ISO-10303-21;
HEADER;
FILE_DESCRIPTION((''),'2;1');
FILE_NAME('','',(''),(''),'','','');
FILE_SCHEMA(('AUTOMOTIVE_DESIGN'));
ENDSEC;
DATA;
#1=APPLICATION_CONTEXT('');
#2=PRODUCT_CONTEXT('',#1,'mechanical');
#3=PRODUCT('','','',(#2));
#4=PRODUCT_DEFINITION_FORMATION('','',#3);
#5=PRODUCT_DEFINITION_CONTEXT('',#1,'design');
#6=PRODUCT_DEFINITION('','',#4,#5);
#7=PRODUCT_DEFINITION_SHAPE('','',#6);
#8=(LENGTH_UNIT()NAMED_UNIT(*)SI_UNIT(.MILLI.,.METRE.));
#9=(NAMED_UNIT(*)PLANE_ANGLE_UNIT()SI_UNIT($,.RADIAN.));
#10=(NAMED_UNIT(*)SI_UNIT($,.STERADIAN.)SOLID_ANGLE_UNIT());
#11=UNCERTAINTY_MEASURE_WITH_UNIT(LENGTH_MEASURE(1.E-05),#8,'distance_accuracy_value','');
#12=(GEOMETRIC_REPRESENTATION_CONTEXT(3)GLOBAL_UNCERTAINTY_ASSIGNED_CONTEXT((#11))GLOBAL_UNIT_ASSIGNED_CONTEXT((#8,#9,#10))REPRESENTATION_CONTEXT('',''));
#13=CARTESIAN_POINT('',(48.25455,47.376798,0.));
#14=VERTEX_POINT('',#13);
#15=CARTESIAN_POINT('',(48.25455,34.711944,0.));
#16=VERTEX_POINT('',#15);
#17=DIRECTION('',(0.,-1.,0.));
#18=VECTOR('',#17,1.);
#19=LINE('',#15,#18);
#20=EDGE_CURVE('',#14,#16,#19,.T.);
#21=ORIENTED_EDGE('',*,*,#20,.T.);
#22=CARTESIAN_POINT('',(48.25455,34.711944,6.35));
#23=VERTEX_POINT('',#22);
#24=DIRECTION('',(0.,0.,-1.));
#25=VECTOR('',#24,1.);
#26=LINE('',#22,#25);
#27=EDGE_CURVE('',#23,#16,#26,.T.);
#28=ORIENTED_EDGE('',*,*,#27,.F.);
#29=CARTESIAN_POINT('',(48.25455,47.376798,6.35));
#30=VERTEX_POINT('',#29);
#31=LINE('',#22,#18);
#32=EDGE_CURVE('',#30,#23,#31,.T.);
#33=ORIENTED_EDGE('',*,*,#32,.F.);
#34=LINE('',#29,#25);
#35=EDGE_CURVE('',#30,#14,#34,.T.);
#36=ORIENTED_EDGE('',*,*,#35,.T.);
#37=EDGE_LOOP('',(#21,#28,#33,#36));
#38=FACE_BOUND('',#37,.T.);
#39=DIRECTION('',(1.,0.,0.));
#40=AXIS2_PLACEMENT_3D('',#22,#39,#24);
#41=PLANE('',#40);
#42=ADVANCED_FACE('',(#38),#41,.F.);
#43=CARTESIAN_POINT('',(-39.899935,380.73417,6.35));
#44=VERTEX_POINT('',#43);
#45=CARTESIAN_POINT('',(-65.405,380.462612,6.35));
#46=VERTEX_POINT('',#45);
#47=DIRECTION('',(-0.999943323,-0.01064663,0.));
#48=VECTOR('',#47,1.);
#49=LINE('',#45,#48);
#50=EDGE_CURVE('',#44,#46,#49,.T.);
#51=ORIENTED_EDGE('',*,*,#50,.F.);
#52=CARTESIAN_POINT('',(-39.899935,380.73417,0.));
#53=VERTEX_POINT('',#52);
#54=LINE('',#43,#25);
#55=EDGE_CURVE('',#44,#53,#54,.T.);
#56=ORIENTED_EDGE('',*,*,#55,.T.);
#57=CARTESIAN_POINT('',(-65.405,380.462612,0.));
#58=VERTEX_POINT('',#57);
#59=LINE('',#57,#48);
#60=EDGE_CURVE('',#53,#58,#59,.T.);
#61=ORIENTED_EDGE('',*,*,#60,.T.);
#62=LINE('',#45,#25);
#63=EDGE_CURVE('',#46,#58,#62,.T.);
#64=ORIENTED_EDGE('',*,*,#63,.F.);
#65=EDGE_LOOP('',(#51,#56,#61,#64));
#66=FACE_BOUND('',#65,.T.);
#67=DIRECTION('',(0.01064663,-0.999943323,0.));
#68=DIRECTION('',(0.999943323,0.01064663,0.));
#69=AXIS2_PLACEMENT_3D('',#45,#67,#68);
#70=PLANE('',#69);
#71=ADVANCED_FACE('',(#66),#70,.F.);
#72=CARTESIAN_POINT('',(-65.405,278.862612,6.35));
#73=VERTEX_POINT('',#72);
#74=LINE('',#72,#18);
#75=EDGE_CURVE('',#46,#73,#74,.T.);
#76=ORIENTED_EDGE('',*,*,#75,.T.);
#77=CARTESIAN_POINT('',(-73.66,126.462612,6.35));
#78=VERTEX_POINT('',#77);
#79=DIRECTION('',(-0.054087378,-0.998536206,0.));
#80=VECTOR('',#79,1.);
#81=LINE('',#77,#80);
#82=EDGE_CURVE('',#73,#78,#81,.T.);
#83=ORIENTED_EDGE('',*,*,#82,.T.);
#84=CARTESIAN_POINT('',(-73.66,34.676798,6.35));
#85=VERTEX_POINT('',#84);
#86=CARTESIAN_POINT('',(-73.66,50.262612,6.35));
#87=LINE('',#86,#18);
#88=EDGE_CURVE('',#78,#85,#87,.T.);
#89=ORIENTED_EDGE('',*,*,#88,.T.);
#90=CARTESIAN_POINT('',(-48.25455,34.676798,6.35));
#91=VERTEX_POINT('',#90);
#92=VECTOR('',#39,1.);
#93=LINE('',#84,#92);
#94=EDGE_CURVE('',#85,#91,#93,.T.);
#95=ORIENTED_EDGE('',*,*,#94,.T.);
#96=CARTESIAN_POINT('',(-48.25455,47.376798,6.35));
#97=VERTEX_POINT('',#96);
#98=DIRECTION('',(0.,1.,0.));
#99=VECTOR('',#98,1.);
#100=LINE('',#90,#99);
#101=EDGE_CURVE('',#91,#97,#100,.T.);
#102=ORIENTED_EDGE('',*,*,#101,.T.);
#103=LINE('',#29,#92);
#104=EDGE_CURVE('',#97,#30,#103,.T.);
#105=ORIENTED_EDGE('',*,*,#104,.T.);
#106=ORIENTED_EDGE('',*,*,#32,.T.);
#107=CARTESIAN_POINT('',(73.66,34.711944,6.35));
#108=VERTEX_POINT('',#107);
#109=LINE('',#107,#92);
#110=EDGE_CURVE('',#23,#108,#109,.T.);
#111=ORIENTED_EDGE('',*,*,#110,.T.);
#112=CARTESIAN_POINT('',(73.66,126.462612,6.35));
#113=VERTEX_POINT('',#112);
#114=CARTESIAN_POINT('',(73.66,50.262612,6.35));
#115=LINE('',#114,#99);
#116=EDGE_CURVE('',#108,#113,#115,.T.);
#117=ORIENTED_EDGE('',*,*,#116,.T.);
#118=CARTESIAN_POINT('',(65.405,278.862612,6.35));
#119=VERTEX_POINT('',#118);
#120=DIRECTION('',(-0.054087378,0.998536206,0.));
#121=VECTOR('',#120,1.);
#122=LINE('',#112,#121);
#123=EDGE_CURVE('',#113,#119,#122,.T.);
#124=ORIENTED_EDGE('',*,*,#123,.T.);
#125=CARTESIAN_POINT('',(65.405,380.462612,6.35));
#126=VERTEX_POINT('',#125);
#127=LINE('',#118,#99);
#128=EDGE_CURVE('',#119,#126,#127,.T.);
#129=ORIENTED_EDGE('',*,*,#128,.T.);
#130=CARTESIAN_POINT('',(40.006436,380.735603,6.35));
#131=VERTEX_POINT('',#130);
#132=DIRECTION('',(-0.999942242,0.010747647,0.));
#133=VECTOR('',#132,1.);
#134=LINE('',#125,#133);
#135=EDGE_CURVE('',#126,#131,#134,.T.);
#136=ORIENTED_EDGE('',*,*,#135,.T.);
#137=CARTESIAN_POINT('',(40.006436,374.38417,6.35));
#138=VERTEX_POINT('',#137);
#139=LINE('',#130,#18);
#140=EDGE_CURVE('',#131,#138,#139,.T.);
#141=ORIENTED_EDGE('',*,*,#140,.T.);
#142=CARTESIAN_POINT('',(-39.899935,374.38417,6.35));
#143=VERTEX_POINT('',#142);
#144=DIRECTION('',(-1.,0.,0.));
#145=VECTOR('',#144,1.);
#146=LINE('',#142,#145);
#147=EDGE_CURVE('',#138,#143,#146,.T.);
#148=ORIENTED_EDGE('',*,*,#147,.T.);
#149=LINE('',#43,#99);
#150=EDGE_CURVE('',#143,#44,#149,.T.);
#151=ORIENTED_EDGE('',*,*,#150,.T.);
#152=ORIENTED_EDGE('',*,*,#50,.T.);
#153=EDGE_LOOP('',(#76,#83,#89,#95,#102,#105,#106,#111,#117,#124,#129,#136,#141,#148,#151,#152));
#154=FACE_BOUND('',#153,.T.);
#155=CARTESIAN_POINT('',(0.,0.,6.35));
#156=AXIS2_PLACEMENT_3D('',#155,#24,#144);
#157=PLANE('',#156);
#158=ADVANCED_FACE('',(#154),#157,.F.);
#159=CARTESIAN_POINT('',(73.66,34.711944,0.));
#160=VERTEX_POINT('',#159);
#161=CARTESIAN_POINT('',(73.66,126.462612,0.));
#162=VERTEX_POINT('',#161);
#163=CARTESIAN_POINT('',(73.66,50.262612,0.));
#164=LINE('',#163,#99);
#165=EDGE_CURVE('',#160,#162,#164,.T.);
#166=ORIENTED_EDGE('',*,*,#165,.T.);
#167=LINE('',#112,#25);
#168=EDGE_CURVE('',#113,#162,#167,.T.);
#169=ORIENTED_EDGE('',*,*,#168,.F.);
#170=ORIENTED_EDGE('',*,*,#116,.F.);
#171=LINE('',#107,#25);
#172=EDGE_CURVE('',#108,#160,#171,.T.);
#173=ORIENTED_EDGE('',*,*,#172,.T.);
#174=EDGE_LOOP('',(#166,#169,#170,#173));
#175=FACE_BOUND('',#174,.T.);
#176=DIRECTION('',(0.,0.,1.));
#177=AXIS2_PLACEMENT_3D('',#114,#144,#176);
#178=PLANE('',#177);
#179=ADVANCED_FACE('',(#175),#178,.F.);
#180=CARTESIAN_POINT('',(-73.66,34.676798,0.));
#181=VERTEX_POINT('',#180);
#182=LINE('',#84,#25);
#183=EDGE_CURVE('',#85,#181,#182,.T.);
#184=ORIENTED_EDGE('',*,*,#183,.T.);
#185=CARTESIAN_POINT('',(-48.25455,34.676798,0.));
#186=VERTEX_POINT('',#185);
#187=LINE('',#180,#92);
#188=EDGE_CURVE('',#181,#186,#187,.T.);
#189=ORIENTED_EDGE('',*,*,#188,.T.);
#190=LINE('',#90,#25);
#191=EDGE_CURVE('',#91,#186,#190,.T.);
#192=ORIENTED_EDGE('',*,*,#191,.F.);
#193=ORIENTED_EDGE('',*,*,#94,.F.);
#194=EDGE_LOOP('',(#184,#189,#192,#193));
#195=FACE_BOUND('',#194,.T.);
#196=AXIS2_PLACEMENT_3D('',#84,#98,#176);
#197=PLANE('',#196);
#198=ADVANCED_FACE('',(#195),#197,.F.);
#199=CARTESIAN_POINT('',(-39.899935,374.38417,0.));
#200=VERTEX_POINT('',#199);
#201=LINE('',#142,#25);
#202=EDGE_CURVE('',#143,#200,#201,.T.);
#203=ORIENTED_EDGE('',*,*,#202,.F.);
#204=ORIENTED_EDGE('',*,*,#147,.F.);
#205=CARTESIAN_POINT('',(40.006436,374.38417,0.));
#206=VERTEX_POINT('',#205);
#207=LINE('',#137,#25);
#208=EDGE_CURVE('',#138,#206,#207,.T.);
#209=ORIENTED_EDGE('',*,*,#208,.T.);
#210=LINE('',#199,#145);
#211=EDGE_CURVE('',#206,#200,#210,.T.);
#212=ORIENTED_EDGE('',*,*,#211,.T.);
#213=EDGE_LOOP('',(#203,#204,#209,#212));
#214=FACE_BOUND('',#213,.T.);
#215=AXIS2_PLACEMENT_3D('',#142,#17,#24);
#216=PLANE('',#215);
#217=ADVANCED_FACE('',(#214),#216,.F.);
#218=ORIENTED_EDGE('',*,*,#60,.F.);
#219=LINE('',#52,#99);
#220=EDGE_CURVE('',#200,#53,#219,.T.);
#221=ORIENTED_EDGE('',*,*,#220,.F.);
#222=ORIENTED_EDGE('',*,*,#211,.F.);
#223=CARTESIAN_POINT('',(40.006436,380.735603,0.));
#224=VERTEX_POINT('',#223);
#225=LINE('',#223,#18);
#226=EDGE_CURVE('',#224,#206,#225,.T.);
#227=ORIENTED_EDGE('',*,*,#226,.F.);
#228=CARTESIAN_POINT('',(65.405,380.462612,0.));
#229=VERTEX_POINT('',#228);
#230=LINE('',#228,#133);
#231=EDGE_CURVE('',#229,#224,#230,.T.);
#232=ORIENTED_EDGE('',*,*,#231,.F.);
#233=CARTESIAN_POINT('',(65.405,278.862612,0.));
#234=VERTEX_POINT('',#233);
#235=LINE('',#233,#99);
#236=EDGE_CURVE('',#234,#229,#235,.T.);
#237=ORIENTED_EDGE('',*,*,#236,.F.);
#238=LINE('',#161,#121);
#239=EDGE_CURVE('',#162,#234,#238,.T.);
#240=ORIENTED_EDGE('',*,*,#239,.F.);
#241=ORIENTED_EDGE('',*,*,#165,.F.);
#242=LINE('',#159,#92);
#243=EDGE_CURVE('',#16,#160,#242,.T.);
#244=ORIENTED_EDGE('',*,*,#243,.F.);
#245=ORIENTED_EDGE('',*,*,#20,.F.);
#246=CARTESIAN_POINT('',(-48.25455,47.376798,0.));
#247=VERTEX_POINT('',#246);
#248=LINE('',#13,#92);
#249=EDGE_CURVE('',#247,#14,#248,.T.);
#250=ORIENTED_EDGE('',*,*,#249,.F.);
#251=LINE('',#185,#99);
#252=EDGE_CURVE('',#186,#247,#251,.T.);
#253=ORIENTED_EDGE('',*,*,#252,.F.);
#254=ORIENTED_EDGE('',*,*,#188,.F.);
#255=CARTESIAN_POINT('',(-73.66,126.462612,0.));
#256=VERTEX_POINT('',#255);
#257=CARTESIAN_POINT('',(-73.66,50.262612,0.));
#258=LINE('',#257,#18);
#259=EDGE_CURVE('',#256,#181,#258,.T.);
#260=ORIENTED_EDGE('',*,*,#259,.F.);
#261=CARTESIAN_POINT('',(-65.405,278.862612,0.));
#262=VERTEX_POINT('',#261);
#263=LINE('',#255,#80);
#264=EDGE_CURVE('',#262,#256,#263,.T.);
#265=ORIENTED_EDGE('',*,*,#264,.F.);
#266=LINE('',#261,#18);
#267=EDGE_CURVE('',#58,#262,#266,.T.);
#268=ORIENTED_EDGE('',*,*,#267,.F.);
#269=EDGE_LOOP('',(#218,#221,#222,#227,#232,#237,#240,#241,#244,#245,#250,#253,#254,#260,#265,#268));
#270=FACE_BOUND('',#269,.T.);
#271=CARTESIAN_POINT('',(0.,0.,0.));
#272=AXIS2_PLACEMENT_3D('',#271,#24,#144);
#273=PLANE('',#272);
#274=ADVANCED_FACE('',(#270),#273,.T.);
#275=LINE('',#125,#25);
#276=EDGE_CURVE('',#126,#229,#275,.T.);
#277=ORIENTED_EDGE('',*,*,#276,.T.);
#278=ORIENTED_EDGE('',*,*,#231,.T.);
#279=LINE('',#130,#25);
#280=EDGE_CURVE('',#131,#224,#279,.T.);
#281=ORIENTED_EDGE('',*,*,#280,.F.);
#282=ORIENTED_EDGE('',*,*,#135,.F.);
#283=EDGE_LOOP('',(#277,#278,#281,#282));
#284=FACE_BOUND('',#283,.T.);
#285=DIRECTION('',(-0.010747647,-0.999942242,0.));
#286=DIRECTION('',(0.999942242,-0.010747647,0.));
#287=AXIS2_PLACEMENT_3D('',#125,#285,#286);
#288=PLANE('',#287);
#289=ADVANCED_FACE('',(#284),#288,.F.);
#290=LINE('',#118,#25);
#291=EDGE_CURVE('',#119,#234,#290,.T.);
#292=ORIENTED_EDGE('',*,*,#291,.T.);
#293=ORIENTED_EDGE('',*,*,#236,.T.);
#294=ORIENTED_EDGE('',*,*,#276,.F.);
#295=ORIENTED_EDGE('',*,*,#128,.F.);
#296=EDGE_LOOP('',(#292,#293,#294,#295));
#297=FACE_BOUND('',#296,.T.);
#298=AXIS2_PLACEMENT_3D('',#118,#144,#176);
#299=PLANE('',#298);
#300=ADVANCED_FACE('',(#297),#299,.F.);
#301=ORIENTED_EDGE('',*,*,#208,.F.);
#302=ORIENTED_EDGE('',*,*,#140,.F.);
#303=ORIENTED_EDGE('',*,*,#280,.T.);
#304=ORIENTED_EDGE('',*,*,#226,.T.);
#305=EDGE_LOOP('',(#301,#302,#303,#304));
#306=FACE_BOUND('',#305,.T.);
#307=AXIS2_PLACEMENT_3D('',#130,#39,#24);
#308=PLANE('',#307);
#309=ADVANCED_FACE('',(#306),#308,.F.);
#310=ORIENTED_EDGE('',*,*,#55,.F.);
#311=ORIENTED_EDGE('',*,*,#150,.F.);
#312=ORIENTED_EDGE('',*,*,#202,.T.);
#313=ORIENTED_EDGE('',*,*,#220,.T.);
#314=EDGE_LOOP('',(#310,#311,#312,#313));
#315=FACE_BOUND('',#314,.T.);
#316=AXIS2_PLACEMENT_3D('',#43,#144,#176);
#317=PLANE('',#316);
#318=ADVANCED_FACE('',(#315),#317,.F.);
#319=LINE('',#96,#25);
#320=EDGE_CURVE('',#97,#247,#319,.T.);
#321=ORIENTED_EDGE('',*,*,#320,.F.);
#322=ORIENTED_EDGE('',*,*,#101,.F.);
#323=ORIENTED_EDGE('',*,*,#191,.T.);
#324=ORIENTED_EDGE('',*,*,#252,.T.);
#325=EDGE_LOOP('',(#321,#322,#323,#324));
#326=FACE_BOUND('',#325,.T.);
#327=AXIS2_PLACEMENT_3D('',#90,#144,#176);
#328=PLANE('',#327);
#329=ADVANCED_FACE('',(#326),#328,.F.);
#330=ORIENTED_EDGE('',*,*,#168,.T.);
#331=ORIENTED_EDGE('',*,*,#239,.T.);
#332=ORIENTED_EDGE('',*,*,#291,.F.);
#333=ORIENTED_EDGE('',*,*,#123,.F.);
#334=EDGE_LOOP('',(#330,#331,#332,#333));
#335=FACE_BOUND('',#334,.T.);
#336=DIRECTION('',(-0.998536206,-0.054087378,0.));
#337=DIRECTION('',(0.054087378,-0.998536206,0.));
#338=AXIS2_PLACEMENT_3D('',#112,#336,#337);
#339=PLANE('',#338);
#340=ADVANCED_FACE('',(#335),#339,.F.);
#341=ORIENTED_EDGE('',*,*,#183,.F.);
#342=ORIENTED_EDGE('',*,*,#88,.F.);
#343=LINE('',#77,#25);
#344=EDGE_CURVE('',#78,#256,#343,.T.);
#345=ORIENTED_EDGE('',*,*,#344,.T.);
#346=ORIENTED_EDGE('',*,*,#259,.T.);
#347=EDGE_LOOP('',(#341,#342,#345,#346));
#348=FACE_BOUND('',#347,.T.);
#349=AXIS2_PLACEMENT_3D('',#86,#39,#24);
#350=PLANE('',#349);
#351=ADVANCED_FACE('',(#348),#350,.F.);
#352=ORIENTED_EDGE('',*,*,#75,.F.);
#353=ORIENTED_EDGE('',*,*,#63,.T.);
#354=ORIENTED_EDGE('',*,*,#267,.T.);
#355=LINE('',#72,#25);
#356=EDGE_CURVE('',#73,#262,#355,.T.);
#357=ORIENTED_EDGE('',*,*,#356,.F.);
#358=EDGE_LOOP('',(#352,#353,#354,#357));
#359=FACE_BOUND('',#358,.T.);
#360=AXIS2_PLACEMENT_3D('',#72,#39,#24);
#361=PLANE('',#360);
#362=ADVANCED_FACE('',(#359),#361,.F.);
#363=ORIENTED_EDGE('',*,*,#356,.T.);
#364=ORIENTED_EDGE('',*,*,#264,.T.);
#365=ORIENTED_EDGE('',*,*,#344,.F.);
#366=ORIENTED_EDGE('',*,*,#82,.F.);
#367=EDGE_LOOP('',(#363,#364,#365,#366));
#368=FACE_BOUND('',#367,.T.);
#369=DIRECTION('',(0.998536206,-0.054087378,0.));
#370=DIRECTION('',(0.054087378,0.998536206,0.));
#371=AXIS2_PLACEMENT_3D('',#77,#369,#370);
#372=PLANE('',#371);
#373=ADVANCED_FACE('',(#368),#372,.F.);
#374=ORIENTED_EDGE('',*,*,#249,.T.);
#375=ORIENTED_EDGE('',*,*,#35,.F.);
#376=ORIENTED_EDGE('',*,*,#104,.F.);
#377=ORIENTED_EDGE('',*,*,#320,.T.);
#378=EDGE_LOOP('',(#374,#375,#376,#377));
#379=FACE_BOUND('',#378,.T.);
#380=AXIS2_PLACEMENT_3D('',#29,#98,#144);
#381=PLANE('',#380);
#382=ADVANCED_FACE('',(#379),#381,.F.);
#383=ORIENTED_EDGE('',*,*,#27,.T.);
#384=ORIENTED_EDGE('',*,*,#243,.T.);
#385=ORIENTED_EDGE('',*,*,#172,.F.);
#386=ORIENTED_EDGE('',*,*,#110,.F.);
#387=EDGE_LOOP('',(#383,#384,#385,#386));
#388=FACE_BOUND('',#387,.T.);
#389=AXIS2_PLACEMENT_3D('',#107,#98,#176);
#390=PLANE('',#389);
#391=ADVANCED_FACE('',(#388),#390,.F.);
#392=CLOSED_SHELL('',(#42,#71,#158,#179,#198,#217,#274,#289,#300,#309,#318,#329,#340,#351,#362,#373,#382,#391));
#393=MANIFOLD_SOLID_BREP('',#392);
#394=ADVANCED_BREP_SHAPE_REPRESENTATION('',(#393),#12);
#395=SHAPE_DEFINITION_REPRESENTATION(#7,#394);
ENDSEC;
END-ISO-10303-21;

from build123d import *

# Parameters (mm, degrees)
BOSS_EXTRUDE1_DEPTH = 6.35


with BuildPart() as part:
    # Sketch1 → Boss-Extrude1 (new body)
    with BuildSketch(Plane.XY):
        Polygon((48.25455021, 47.376798163), (-48.25455021, 47.376798163), (-48.25455021, 34.676798163), (-73.66, 34.676798163), (-73.66, 50.26261194), (-73.66, 126.46261194), (-65.405, 278.86261194), (-65.405, 380.46261194), (-39.899935303, 380.734170325), (-39.899935303, 374.384170325), (40.006435928, 374.384170325), (40.006435928, 380.735602504), (65.405, 380.46261194), (65.405, 278.86261194), (73.66, 126.46261194), (73.66, 50.26261194), (73.66, 34.711944221), (48.25455021, 34.711944221), align=None)
    extrude(amount=BOSS_EXTRUDE1_DEPTH)


solid = part.part
